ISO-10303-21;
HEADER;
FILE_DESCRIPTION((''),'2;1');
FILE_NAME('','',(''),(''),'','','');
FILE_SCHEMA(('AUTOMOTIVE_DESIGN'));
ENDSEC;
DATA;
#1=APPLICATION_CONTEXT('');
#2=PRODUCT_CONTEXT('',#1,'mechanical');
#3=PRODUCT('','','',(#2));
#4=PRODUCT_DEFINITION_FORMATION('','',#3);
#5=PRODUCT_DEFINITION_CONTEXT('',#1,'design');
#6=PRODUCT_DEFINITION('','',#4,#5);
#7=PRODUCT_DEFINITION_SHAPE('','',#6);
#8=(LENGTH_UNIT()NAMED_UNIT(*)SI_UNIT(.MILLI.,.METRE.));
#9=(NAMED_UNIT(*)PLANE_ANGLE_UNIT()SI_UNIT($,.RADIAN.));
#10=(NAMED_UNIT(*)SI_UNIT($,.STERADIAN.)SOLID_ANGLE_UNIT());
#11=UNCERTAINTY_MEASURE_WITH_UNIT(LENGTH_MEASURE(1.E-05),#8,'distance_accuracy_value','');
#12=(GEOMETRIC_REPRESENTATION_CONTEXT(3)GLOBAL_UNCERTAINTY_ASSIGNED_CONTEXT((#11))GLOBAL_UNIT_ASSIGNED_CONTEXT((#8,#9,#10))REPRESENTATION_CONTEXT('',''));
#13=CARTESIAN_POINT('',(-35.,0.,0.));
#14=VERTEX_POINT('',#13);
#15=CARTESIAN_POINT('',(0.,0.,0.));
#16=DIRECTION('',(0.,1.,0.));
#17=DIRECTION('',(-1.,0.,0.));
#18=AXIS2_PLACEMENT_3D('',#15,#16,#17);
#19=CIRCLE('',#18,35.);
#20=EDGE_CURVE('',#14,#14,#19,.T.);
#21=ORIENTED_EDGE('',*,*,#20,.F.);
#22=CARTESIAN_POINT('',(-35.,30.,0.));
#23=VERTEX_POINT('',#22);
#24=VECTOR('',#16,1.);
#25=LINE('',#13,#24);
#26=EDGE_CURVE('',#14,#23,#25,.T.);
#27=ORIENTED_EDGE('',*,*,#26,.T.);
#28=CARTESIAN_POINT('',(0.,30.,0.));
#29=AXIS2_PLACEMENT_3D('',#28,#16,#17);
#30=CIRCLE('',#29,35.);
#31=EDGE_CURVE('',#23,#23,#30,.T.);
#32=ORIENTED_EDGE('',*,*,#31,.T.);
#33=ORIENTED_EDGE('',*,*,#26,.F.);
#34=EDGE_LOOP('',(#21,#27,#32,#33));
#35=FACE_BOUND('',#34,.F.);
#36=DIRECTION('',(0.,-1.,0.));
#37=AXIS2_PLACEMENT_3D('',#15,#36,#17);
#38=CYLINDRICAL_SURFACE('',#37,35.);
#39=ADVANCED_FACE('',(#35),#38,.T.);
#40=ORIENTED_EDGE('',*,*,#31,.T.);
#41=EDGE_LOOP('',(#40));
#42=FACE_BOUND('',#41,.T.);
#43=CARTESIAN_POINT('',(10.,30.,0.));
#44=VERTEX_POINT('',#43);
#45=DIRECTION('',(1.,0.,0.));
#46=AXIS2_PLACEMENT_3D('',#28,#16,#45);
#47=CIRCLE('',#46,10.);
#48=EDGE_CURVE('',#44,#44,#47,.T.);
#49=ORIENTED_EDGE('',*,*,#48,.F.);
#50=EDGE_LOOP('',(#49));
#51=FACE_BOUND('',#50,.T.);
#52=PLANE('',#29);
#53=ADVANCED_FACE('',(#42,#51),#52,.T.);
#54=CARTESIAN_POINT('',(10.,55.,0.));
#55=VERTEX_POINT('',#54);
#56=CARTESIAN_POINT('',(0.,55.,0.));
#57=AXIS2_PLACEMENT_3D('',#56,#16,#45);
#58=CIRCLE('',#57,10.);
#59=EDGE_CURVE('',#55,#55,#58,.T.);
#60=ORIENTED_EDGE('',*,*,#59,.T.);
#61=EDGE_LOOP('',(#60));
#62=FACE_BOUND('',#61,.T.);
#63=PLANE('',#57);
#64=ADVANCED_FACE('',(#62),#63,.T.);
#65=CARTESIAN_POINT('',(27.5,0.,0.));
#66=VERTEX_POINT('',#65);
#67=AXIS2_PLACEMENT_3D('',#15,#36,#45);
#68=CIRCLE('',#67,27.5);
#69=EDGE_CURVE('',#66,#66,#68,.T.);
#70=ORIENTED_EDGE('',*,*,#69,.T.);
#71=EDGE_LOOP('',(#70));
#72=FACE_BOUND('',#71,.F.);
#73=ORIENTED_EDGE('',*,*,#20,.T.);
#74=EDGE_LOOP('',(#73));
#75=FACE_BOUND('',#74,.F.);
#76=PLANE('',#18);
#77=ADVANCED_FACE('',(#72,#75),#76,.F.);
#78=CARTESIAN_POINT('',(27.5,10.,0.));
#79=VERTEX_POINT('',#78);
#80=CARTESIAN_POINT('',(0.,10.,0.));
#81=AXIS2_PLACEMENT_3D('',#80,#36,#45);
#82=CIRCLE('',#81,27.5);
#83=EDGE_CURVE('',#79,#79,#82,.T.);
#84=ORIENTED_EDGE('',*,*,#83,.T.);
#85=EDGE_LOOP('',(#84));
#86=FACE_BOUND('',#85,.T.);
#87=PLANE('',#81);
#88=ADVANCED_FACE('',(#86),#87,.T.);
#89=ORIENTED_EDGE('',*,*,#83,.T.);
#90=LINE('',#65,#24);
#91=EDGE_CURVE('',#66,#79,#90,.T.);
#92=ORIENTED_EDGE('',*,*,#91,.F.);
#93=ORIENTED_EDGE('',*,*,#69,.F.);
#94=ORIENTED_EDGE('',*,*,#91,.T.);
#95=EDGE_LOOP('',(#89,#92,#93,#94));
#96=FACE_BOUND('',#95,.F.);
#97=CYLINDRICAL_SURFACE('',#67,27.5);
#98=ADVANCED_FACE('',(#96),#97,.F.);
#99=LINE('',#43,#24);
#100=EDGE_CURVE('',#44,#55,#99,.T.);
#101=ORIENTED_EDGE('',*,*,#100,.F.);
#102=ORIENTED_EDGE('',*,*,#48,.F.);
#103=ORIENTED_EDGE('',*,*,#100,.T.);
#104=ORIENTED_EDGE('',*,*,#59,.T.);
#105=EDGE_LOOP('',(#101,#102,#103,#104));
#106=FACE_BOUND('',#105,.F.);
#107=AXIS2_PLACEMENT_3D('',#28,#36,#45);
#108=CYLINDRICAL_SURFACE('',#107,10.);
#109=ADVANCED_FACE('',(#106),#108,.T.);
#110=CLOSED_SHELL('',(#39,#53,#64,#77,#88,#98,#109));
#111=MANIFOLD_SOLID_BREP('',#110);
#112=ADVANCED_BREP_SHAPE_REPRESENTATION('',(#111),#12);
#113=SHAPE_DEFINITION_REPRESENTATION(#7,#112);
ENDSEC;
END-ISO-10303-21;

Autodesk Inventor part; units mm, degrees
ref_plane "YZ Plane" through (0, 0, 0) normal (1, 0, 0) x (0, 1, 0)
ref_plane "XZ Plane" through (0, 0, 0) normal (0, 1, 0) x (-1, 0, 0)
ref_plane "XY Plane" through (0, 0, 0) normal (0, 0, 1) x (1, 0, 0)
sketch "Sketch1" plane through (0, 0, 0) normal (0, 1, 0) x (-1, 0, 0)
  circle A0 centre (0, 0) radius 35
  dimension "d0" = 70
extrude "Extrusion1" add sketch "Sketch1" along normal blind 30
sketch "Sketch2" plane through (0, 30, 0) normal (0, 1, 0) x (1, 0, 0)
  circle A0 centre (0, 0) radius 10
  dimension "d3" = 20
extrude "Extrusion2" add sketch "Sketch2" along normal blind 25
sketch "Sketch3" plane through (0, 0, 0) normal (0, -1, 0) x (1, 0, 0)
  circle A0 centre (0, 0) radius 27.5
  dimension "d6" = 55
extrude "Extrusion3" cut sketch "Sketch3" against normal blind 10
properties part number "wheel"
